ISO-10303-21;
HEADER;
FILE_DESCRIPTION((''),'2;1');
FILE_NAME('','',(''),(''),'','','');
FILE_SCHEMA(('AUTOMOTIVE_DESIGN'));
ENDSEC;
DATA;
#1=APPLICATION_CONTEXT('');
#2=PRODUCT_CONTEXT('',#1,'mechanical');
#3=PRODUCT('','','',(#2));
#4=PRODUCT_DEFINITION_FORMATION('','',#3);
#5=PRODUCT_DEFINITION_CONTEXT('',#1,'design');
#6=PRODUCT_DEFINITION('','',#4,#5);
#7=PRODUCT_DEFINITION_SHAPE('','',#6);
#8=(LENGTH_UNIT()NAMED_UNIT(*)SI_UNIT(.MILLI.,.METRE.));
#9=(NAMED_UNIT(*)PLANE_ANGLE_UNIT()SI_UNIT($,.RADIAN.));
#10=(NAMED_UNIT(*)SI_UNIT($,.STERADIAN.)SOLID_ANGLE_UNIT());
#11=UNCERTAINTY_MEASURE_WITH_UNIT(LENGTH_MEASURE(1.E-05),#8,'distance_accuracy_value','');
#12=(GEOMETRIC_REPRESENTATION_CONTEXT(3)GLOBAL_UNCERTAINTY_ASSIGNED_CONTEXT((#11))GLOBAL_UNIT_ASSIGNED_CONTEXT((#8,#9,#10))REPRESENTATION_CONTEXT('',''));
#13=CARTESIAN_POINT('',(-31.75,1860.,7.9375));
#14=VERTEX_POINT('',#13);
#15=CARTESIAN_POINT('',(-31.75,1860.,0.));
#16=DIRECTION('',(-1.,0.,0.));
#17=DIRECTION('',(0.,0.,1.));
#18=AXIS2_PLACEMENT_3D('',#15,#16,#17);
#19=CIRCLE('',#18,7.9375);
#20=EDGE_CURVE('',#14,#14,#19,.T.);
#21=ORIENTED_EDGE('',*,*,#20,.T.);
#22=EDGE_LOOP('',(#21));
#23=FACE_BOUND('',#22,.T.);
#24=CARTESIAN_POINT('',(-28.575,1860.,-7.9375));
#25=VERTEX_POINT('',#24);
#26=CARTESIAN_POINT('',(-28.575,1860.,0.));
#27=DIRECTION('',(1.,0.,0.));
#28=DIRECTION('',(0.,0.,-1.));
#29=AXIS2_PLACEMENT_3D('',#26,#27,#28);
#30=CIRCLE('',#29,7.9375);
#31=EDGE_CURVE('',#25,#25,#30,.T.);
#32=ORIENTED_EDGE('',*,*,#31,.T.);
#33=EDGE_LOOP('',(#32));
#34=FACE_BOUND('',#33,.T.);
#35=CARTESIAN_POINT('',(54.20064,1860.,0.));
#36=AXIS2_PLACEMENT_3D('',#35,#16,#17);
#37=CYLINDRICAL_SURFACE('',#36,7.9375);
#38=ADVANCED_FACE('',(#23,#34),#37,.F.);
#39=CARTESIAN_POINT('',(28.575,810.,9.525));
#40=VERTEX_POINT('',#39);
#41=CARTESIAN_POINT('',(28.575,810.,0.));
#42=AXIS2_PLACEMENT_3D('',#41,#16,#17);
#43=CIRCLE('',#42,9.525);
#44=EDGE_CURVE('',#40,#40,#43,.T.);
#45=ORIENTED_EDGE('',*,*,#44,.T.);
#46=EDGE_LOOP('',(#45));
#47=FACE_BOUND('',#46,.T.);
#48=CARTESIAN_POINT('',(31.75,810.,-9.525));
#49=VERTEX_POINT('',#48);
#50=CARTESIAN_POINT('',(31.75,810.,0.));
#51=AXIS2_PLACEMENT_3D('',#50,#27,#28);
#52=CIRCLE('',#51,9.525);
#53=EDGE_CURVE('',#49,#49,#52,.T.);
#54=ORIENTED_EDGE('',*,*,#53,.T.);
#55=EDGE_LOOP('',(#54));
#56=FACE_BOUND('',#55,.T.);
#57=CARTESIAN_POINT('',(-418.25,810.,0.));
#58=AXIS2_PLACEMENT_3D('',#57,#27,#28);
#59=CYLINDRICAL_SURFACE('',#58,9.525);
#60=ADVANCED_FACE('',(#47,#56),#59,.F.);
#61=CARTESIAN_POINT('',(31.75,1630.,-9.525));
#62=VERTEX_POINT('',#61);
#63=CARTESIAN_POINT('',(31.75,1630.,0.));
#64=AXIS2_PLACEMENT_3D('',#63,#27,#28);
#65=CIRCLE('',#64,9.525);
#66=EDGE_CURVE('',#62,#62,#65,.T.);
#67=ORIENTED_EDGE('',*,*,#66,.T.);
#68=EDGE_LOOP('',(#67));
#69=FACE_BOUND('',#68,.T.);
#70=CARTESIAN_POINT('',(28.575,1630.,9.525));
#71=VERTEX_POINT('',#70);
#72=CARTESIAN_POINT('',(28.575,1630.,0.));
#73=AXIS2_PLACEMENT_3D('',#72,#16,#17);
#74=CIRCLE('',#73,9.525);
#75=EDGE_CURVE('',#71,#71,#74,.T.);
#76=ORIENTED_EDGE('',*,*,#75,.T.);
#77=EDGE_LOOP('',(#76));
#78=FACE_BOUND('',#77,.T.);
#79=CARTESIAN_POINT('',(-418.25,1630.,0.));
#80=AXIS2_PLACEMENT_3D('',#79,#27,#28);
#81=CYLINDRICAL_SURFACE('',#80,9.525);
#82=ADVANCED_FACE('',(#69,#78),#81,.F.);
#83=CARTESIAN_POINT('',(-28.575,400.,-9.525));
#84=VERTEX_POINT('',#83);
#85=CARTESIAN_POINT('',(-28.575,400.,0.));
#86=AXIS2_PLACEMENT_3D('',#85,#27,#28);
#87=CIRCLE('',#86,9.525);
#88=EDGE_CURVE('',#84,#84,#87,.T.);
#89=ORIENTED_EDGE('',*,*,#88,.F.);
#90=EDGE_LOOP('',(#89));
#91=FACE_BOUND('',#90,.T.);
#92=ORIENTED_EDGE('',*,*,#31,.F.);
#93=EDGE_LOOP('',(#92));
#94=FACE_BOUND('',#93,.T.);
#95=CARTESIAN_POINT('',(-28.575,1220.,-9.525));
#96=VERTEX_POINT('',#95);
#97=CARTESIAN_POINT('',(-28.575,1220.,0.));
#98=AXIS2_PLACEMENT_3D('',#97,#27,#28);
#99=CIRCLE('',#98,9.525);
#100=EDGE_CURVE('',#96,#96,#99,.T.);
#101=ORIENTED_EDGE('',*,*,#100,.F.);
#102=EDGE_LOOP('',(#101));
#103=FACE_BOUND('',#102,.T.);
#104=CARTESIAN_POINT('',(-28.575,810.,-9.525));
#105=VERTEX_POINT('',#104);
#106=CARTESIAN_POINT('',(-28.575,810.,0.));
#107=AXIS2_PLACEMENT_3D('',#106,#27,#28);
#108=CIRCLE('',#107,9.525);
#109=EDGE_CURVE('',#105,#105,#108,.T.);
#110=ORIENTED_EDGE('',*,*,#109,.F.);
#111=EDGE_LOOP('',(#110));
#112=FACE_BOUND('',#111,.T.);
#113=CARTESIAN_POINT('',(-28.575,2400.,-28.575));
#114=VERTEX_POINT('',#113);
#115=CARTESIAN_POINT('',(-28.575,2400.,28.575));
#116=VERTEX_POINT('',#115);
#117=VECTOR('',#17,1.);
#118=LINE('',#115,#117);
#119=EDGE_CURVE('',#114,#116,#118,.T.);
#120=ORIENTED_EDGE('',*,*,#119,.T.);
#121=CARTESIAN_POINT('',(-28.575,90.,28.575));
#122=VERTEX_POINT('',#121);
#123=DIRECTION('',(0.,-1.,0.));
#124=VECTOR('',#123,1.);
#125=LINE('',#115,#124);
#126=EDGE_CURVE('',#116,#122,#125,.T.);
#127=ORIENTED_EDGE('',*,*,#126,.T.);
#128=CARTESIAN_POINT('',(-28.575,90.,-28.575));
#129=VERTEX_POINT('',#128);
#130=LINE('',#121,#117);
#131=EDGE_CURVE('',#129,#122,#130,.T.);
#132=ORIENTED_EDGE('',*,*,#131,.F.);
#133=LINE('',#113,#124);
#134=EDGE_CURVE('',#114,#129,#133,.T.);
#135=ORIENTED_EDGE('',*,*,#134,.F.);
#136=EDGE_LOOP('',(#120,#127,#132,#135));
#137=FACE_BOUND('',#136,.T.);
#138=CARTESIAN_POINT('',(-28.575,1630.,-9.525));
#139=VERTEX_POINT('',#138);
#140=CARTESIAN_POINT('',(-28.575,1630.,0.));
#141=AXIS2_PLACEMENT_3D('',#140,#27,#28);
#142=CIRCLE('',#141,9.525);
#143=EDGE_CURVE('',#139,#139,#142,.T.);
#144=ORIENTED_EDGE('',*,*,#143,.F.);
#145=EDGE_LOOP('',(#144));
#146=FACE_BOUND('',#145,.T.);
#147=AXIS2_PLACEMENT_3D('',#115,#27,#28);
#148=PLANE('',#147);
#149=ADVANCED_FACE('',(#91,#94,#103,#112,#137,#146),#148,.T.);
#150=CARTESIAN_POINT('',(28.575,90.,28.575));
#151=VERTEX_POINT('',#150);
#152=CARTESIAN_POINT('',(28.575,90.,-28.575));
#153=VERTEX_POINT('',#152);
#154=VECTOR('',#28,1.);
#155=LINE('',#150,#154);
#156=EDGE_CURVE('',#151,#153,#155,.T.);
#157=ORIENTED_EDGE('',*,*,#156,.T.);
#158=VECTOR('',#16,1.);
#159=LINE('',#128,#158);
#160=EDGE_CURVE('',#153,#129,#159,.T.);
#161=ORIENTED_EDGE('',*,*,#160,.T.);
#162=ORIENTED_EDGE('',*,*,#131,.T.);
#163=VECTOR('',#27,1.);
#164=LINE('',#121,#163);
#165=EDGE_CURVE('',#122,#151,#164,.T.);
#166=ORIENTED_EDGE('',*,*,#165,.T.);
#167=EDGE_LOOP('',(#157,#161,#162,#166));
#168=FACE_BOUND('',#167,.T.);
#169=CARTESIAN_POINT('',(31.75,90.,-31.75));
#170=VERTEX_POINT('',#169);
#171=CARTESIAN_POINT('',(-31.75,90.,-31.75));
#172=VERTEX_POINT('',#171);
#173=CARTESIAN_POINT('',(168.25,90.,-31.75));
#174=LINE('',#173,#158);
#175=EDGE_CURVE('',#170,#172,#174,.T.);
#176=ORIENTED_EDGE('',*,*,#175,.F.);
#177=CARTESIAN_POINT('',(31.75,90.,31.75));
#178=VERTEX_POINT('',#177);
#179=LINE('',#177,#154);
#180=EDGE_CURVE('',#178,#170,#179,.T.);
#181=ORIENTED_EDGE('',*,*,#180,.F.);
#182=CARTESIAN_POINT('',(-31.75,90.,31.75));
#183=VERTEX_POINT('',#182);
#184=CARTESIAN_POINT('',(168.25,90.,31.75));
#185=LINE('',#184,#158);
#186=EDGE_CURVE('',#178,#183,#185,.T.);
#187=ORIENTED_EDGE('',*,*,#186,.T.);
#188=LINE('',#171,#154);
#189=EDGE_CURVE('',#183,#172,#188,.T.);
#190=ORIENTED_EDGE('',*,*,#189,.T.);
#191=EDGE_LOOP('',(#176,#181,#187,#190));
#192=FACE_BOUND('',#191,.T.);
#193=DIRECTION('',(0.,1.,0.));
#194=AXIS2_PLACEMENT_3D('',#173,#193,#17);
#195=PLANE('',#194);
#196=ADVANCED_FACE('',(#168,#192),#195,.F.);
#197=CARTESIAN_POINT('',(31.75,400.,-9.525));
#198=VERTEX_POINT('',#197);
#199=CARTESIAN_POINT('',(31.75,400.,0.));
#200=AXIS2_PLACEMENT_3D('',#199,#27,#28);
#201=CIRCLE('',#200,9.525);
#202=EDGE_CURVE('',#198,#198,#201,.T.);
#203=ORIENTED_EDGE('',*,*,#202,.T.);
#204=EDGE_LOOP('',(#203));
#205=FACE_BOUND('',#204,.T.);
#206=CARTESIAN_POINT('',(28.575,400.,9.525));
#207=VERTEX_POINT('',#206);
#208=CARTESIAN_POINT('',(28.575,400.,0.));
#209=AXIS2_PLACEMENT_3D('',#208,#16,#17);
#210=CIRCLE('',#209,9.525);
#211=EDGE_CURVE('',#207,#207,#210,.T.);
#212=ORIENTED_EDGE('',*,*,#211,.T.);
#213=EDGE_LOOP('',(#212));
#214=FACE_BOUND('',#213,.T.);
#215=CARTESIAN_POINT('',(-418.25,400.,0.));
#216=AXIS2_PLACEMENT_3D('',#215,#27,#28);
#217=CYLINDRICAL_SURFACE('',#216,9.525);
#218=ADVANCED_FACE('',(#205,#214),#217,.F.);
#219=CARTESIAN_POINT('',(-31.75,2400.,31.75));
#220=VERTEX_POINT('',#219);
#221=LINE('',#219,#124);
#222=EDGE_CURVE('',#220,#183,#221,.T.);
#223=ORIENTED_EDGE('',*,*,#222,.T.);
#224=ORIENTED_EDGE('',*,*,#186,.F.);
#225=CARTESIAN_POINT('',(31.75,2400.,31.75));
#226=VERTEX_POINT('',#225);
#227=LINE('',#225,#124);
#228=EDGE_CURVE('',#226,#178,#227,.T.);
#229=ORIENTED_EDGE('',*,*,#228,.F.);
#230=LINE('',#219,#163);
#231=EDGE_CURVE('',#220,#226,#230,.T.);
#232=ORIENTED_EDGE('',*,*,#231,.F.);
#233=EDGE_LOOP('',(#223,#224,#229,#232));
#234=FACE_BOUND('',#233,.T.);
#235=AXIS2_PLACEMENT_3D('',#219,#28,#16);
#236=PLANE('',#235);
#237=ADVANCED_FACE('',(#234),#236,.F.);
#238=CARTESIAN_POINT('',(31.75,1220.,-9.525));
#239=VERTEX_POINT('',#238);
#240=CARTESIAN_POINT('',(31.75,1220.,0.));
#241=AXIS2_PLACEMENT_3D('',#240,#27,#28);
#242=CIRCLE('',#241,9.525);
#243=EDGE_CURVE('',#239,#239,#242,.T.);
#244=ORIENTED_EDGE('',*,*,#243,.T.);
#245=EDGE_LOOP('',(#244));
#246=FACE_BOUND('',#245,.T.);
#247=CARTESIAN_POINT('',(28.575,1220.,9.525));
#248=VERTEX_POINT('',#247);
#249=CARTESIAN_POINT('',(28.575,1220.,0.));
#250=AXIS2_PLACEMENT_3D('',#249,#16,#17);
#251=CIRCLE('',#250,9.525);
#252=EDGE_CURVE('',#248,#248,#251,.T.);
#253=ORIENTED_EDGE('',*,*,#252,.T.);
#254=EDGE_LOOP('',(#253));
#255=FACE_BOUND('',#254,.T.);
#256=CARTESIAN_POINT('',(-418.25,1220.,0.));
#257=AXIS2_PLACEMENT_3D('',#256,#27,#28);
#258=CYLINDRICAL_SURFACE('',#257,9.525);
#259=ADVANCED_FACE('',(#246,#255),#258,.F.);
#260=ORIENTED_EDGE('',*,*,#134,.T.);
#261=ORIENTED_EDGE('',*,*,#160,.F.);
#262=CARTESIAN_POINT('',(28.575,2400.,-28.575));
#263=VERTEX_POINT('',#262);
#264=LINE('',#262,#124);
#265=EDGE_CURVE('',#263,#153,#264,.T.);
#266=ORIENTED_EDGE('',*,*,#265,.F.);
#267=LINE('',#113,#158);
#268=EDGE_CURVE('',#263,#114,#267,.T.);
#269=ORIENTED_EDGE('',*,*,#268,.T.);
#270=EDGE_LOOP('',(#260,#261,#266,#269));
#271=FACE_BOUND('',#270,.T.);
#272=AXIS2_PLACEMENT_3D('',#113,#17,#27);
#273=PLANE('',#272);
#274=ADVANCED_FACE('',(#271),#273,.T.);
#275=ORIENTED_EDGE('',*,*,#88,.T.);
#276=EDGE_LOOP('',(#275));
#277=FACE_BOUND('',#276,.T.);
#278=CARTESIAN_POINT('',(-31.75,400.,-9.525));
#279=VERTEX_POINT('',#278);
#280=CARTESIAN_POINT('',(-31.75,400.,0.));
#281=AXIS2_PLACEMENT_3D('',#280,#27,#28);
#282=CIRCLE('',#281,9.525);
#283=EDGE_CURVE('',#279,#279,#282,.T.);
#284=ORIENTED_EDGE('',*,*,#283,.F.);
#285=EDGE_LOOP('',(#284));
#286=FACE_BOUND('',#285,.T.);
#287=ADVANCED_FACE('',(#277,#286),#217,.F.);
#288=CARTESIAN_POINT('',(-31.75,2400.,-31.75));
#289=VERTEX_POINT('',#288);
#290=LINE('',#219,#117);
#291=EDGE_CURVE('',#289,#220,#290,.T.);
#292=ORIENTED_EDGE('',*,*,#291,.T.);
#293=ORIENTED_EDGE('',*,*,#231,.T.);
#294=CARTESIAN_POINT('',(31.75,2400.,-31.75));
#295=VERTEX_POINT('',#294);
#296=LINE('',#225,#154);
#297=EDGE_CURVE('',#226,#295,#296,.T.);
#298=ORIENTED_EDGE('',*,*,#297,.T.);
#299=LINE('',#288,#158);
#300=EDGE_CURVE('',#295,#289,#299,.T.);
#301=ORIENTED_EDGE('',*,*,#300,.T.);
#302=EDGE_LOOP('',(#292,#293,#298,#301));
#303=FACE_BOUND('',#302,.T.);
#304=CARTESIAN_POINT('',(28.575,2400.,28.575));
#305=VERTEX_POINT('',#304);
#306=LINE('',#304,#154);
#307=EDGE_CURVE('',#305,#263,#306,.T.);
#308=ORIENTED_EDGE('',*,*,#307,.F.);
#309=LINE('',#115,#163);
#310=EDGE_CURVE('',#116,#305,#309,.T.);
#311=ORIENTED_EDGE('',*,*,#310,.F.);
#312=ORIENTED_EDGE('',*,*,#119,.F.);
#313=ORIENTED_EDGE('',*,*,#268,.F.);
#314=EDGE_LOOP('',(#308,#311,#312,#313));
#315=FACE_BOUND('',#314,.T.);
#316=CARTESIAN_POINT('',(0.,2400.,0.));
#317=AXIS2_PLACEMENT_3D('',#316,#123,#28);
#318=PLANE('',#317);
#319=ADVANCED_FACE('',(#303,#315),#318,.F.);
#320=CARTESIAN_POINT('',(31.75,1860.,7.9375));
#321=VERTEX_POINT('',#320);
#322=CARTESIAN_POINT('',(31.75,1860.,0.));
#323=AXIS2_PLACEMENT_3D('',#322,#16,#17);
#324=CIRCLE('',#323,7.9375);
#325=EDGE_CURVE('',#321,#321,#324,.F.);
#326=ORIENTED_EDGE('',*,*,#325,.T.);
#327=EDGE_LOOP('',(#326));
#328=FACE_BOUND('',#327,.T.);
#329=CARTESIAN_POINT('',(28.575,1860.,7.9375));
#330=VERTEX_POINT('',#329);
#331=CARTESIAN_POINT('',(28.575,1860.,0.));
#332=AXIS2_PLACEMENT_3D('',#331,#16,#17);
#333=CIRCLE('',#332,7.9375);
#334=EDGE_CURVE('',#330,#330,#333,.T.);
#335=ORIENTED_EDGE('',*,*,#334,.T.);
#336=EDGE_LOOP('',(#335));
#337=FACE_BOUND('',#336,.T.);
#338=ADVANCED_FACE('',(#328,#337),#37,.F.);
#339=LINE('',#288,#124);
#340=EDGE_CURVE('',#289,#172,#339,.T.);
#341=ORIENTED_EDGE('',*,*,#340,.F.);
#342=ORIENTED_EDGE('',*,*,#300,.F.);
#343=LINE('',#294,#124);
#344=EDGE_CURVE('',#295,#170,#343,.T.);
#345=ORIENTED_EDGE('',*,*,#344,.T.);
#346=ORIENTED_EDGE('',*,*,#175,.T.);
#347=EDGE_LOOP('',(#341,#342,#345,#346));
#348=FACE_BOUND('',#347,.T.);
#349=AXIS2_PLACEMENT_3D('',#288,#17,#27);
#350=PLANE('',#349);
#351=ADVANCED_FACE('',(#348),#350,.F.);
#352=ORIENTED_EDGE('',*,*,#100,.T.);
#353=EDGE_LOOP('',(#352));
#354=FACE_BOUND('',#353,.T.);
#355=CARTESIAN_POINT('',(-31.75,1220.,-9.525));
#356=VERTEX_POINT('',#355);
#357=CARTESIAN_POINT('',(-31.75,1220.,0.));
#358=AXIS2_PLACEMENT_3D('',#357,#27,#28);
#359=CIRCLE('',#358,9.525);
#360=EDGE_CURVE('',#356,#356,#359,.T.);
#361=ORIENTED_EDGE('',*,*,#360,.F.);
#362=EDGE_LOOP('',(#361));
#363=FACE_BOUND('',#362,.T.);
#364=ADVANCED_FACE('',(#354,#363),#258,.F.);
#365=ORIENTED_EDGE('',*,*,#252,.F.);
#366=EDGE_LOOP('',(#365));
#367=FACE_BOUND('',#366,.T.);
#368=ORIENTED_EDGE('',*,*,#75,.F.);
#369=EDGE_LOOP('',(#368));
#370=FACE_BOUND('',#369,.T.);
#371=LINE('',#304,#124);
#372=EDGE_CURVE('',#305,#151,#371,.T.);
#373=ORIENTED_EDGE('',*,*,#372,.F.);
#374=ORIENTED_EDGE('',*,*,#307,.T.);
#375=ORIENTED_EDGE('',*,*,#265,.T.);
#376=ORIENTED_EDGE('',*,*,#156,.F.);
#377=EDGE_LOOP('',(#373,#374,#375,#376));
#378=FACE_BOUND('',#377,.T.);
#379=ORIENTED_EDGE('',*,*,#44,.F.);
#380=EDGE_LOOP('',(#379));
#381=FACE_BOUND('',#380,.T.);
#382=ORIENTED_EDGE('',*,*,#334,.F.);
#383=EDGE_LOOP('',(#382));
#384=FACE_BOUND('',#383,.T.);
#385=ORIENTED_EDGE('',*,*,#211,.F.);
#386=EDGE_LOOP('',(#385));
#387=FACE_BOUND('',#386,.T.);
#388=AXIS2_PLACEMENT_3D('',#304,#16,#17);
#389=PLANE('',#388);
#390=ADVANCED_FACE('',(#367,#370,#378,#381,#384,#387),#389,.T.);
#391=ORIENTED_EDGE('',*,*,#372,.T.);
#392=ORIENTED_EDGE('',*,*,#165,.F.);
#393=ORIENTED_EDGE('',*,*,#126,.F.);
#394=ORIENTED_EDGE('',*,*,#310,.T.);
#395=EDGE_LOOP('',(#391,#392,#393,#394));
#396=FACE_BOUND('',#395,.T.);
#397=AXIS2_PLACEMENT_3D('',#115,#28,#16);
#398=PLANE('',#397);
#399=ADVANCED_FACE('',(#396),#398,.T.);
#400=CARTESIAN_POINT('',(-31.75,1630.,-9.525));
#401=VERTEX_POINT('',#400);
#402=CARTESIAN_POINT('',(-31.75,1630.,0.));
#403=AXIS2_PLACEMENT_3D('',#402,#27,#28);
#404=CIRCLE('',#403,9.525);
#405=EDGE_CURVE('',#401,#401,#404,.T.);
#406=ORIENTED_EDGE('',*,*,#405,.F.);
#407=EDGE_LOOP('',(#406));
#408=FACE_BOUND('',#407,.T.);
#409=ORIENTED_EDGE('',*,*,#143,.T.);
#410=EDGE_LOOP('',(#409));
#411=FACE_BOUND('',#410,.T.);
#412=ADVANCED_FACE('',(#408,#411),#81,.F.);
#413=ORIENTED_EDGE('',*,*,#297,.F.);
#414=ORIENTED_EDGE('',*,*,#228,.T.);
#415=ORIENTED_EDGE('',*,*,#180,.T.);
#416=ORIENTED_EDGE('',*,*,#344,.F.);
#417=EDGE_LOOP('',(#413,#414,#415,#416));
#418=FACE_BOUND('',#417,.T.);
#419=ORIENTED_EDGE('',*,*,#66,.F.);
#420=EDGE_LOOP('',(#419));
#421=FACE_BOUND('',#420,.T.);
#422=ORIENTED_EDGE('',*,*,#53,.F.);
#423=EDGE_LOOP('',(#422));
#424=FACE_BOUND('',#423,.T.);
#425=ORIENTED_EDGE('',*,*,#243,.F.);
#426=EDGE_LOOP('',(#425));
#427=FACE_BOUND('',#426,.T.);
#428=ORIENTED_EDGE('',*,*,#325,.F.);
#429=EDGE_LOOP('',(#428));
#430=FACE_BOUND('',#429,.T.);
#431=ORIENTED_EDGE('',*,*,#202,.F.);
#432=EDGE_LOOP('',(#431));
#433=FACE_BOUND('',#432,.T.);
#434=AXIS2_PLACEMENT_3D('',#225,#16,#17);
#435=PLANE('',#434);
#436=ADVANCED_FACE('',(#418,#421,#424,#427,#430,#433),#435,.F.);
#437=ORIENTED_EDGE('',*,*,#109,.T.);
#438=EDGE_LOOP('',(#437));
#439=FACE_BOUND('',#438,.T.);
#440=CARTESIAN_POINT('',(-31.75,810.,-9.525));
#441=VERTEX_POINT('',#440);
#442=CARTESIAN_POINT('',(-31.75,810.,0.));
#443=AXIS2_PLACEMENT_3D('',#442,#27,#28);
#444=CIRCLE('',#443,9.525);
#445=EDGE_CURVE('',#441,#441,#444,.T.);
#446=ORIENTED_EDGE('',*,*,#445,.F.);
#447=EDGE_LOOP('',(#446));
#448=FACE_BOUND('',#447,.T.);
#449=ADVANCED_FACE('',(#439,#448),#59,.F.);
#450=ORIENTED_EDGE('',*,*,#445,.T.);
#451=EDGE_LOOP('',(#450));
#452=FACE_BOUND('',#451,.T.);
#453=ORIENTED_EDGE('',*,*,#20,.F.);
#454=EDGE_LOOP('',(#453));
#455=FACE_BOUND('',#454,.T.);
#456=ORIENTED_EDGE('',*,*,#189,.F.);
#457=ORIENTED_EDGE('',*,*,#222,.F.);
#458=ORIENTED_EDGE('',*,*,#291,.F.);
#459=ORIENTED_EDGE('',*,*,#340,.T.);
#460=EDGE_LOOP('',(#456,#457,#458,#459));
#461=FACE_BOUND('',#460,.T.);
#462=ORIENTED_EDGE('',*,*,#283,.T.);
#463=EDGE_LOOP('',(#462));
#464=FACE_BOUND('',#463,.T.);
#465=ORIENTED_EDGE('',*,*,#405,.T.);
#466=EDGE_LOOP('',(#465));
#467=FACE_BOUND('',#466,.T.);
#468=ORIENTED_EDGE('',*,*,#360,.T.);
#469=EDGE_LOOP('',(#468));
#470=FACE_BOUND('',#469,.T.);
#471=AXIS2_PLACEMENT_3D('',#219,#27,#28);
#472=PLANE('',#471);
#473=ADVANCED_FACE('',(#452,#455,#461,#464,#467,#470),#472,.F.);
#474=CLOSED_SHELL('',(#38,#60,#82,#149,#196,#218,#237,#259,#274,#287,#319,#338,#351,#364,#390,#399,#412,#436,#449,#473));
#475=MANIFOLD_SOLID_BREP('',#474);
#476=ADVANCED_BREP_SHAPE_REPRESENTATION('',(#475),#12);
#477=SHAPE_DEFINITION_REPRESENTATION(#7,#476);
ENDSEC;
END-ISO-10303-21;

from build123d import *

# Parameters (mm, degrees)
CROQUIS1_W              = 63.5
CROQUIS1_H              = 63.5
CROQUIS1_W_2            = 57.15
CROQUIS1_H_2            = 57.15
SALIENTE_EXTRUIR1_DEPTH = 2400
CROQUIS2_R              = 9.525
CORTAR_EXTRUIR1_DEPTH   = 450
MATRIZL1_COUNT          = 4
MATRIZL1_PITCH          = 410
CROQUIS3_W              = 63.5
CROQUIS3_H              = 90
CORTAR_EXTRUIR2_DEPTH   = 200
CROQUIS4_R              = 7.9375
CORTAR_EXTRUIR3_DEPTH   = 63.5


with BuildPart() as part:
    # Croquis1 → Saliente-Extruir1 (new body)
    with BuildSketch(Plane(origin=(0, 0, 0), x_dir=(1, 0, 0), z_dir=(0, 1, 0))):
        Rectangle(CROQUIS1_W, CROQUIS1_H)
        Rectangle(CROQUIS1_W_2, CROQUIS1_H_2, mode=Mode.SUBTRACT)
    extrude(amount=SALIENTE_EXTRUIR1_DEPTH)

    # Croquis2 → Cortar-Extruir1 (cut)
    with BuildSketch(Plane(origin=(31.75, 0, 0), x_dir=(0, 0, -1), z_dir=(1, 0, 0))):
        with Locations((0, 400)):
            Circle(CROQUIS2_R)
    cortar_extruir1 = extrude(amount=-CORTAR_EXTRUIR1_DEPTH, mode=Mode.SUBTRACT)

    # MatrizL1: Cortar-Extruir1 ×4
    with Locations(*[(0, i * MATRIZL1_PITCH, 0) for i in range(1, MATRIZL1_COUNT)]):
        add(cortar_extruir1, mode=Mode.SUBTRACT)

    # Croquis3 → Cortar-Extruir2 (cut)
    with BuildSketch(Plane.ZY.offset(31.75)):
        with Locations((0, 45)):
            Rectangle(CROQUIS3_W, CROQUIS3_H)
    extrude(amount=-CORTAR_EXTRUIR2_DEPTH, mode=Mode.SUBTRACT)

    # Croquis4 → Cortar-Extruir3 (cut)
    with BuildSketch(Plane.ZY.offset(31.75)):
        with Locations((0, 1860)):
            Circle(CROQUIS4_R)
    extrude(amount=-CORTAR_EXTRUIR3_DEPTH, mode=Mode.SUBTRACT)


solid = part.part
